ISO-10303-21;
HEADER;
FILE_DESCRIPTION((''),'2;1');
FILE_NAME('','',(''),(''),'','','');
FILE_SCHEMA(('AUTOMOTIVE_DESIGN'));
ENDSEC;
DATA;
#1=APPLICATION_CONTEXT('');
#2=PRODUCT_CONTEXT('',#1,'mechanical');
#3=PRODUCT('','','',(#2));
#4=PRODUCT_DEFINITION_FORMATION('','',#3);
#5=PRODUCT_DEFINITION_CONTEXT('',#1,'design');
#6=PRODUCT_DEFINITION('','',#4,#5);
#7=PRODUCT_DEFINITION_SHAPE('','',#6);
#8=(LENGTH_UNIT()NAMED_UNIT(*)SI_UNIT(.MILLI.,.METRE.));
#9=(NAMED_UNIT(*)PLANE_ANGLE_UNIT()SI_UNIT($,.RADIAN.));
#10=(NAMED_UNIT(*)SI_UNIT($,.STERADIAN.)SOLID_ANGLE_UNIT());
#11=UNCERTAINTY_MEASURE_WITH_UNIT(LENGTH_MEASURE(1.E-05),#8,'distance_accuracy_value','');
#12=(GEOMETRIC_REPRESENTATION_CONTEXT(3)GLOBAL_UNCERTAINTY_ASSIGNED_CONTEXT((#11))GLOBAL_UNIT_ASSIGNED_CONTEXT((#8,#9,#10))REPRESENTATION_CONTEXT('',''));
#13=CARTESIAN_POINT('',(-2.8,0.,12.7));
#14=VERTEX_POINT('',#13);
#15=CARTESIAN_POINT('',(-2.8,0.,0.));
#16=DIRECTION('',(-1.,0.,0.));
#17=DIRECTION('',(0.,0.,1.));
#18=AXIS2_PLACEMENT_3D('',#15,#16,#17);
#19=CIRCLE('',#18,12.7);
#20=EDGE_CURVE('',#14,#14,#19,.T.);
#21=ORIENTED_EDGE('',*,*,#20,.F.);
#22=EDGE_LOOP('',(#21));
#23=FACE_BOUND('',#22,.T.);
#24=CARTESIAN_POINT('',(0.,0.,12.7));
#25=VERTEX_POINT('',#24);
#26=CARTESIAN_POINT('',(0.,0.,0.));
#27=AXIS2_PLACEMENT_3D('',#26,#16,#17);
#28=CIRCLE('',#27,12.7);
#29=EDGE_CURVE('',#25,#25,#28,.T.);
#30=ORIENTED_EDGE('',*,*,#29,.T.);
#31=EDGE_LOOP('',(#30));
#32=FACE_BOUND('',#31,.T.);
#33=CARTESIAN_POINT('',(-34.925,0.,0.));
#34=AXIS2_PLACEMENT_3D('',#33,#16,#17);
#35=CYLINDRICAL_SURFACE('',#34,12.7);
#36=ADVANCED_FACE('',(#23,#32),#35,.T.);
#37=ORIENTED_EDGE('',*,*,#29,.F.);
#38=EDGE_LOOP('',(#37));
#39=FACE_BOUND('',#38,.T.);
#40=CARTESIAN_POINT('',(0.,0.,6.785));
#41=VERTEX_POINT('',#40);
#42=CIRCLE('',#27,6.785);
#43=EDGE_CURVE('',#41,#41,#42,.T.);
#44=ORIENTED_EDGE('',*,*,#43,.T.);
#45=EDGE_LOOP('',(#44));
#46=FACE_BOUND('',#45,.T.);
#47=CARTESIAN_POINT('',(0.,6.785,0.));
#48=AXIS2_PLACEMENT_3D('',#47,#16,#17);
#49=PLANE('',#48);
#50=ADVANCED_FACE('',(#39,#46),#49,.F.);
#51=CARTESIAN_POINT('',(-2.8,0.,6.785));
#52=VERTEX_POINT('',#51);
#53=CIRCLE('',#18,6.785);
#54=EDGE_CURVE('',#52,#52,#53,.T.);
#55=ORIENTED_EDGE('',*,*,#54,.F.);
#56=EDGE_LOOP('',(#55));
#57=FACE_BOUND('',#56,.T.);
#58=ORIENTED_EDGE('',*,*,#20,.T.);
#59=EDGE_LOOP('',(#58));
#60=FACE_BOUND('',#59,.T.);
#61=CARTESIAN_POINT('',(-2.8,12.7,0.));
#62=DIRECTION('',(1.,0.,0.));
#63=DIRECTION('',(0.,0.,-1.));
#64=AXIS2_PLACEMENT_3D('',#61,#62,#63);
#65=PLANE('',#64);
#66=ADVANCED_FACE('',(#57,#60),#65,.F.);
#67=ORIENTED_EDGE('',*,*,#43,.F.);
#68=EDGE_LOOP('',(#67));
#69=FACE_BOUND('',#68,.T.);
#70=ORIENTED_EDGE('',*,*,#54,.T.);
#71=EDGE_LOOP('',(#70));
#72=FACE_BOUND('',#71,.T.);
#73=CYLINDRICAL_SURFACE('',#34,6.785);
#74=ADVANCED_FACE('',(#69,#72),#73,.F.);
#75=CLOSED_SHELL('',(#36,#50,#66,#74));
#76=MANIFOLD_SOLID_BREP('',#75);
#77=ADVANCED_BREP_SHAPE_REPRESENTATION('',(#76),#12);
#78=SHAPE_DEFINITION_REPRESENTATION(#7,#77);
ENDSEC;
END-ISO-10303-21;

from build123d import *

# Parameters (mm, degrees)
SKETCH1_W = 2.8
SKETCH1_H = 5.915


with BuildPart() as part:
    # Sketch1 → Base-Revolve (revolve)
    with BuildSketch(Plane.XY, mode=Mode.PRIVATE) as base_revolve_sk:
        with Locations((-1.4, 9.7425)):
            Rectangle(SKETCH1_W, SKETCH1_H)
    revolve(base_revolve_sk.sketch.rotate(Axis((-34.925, 0, 0), (1, 0, 0)), 90), axis=Axis((-34.925, 0, 0), (1, 0, 0)))


solid = part.part
